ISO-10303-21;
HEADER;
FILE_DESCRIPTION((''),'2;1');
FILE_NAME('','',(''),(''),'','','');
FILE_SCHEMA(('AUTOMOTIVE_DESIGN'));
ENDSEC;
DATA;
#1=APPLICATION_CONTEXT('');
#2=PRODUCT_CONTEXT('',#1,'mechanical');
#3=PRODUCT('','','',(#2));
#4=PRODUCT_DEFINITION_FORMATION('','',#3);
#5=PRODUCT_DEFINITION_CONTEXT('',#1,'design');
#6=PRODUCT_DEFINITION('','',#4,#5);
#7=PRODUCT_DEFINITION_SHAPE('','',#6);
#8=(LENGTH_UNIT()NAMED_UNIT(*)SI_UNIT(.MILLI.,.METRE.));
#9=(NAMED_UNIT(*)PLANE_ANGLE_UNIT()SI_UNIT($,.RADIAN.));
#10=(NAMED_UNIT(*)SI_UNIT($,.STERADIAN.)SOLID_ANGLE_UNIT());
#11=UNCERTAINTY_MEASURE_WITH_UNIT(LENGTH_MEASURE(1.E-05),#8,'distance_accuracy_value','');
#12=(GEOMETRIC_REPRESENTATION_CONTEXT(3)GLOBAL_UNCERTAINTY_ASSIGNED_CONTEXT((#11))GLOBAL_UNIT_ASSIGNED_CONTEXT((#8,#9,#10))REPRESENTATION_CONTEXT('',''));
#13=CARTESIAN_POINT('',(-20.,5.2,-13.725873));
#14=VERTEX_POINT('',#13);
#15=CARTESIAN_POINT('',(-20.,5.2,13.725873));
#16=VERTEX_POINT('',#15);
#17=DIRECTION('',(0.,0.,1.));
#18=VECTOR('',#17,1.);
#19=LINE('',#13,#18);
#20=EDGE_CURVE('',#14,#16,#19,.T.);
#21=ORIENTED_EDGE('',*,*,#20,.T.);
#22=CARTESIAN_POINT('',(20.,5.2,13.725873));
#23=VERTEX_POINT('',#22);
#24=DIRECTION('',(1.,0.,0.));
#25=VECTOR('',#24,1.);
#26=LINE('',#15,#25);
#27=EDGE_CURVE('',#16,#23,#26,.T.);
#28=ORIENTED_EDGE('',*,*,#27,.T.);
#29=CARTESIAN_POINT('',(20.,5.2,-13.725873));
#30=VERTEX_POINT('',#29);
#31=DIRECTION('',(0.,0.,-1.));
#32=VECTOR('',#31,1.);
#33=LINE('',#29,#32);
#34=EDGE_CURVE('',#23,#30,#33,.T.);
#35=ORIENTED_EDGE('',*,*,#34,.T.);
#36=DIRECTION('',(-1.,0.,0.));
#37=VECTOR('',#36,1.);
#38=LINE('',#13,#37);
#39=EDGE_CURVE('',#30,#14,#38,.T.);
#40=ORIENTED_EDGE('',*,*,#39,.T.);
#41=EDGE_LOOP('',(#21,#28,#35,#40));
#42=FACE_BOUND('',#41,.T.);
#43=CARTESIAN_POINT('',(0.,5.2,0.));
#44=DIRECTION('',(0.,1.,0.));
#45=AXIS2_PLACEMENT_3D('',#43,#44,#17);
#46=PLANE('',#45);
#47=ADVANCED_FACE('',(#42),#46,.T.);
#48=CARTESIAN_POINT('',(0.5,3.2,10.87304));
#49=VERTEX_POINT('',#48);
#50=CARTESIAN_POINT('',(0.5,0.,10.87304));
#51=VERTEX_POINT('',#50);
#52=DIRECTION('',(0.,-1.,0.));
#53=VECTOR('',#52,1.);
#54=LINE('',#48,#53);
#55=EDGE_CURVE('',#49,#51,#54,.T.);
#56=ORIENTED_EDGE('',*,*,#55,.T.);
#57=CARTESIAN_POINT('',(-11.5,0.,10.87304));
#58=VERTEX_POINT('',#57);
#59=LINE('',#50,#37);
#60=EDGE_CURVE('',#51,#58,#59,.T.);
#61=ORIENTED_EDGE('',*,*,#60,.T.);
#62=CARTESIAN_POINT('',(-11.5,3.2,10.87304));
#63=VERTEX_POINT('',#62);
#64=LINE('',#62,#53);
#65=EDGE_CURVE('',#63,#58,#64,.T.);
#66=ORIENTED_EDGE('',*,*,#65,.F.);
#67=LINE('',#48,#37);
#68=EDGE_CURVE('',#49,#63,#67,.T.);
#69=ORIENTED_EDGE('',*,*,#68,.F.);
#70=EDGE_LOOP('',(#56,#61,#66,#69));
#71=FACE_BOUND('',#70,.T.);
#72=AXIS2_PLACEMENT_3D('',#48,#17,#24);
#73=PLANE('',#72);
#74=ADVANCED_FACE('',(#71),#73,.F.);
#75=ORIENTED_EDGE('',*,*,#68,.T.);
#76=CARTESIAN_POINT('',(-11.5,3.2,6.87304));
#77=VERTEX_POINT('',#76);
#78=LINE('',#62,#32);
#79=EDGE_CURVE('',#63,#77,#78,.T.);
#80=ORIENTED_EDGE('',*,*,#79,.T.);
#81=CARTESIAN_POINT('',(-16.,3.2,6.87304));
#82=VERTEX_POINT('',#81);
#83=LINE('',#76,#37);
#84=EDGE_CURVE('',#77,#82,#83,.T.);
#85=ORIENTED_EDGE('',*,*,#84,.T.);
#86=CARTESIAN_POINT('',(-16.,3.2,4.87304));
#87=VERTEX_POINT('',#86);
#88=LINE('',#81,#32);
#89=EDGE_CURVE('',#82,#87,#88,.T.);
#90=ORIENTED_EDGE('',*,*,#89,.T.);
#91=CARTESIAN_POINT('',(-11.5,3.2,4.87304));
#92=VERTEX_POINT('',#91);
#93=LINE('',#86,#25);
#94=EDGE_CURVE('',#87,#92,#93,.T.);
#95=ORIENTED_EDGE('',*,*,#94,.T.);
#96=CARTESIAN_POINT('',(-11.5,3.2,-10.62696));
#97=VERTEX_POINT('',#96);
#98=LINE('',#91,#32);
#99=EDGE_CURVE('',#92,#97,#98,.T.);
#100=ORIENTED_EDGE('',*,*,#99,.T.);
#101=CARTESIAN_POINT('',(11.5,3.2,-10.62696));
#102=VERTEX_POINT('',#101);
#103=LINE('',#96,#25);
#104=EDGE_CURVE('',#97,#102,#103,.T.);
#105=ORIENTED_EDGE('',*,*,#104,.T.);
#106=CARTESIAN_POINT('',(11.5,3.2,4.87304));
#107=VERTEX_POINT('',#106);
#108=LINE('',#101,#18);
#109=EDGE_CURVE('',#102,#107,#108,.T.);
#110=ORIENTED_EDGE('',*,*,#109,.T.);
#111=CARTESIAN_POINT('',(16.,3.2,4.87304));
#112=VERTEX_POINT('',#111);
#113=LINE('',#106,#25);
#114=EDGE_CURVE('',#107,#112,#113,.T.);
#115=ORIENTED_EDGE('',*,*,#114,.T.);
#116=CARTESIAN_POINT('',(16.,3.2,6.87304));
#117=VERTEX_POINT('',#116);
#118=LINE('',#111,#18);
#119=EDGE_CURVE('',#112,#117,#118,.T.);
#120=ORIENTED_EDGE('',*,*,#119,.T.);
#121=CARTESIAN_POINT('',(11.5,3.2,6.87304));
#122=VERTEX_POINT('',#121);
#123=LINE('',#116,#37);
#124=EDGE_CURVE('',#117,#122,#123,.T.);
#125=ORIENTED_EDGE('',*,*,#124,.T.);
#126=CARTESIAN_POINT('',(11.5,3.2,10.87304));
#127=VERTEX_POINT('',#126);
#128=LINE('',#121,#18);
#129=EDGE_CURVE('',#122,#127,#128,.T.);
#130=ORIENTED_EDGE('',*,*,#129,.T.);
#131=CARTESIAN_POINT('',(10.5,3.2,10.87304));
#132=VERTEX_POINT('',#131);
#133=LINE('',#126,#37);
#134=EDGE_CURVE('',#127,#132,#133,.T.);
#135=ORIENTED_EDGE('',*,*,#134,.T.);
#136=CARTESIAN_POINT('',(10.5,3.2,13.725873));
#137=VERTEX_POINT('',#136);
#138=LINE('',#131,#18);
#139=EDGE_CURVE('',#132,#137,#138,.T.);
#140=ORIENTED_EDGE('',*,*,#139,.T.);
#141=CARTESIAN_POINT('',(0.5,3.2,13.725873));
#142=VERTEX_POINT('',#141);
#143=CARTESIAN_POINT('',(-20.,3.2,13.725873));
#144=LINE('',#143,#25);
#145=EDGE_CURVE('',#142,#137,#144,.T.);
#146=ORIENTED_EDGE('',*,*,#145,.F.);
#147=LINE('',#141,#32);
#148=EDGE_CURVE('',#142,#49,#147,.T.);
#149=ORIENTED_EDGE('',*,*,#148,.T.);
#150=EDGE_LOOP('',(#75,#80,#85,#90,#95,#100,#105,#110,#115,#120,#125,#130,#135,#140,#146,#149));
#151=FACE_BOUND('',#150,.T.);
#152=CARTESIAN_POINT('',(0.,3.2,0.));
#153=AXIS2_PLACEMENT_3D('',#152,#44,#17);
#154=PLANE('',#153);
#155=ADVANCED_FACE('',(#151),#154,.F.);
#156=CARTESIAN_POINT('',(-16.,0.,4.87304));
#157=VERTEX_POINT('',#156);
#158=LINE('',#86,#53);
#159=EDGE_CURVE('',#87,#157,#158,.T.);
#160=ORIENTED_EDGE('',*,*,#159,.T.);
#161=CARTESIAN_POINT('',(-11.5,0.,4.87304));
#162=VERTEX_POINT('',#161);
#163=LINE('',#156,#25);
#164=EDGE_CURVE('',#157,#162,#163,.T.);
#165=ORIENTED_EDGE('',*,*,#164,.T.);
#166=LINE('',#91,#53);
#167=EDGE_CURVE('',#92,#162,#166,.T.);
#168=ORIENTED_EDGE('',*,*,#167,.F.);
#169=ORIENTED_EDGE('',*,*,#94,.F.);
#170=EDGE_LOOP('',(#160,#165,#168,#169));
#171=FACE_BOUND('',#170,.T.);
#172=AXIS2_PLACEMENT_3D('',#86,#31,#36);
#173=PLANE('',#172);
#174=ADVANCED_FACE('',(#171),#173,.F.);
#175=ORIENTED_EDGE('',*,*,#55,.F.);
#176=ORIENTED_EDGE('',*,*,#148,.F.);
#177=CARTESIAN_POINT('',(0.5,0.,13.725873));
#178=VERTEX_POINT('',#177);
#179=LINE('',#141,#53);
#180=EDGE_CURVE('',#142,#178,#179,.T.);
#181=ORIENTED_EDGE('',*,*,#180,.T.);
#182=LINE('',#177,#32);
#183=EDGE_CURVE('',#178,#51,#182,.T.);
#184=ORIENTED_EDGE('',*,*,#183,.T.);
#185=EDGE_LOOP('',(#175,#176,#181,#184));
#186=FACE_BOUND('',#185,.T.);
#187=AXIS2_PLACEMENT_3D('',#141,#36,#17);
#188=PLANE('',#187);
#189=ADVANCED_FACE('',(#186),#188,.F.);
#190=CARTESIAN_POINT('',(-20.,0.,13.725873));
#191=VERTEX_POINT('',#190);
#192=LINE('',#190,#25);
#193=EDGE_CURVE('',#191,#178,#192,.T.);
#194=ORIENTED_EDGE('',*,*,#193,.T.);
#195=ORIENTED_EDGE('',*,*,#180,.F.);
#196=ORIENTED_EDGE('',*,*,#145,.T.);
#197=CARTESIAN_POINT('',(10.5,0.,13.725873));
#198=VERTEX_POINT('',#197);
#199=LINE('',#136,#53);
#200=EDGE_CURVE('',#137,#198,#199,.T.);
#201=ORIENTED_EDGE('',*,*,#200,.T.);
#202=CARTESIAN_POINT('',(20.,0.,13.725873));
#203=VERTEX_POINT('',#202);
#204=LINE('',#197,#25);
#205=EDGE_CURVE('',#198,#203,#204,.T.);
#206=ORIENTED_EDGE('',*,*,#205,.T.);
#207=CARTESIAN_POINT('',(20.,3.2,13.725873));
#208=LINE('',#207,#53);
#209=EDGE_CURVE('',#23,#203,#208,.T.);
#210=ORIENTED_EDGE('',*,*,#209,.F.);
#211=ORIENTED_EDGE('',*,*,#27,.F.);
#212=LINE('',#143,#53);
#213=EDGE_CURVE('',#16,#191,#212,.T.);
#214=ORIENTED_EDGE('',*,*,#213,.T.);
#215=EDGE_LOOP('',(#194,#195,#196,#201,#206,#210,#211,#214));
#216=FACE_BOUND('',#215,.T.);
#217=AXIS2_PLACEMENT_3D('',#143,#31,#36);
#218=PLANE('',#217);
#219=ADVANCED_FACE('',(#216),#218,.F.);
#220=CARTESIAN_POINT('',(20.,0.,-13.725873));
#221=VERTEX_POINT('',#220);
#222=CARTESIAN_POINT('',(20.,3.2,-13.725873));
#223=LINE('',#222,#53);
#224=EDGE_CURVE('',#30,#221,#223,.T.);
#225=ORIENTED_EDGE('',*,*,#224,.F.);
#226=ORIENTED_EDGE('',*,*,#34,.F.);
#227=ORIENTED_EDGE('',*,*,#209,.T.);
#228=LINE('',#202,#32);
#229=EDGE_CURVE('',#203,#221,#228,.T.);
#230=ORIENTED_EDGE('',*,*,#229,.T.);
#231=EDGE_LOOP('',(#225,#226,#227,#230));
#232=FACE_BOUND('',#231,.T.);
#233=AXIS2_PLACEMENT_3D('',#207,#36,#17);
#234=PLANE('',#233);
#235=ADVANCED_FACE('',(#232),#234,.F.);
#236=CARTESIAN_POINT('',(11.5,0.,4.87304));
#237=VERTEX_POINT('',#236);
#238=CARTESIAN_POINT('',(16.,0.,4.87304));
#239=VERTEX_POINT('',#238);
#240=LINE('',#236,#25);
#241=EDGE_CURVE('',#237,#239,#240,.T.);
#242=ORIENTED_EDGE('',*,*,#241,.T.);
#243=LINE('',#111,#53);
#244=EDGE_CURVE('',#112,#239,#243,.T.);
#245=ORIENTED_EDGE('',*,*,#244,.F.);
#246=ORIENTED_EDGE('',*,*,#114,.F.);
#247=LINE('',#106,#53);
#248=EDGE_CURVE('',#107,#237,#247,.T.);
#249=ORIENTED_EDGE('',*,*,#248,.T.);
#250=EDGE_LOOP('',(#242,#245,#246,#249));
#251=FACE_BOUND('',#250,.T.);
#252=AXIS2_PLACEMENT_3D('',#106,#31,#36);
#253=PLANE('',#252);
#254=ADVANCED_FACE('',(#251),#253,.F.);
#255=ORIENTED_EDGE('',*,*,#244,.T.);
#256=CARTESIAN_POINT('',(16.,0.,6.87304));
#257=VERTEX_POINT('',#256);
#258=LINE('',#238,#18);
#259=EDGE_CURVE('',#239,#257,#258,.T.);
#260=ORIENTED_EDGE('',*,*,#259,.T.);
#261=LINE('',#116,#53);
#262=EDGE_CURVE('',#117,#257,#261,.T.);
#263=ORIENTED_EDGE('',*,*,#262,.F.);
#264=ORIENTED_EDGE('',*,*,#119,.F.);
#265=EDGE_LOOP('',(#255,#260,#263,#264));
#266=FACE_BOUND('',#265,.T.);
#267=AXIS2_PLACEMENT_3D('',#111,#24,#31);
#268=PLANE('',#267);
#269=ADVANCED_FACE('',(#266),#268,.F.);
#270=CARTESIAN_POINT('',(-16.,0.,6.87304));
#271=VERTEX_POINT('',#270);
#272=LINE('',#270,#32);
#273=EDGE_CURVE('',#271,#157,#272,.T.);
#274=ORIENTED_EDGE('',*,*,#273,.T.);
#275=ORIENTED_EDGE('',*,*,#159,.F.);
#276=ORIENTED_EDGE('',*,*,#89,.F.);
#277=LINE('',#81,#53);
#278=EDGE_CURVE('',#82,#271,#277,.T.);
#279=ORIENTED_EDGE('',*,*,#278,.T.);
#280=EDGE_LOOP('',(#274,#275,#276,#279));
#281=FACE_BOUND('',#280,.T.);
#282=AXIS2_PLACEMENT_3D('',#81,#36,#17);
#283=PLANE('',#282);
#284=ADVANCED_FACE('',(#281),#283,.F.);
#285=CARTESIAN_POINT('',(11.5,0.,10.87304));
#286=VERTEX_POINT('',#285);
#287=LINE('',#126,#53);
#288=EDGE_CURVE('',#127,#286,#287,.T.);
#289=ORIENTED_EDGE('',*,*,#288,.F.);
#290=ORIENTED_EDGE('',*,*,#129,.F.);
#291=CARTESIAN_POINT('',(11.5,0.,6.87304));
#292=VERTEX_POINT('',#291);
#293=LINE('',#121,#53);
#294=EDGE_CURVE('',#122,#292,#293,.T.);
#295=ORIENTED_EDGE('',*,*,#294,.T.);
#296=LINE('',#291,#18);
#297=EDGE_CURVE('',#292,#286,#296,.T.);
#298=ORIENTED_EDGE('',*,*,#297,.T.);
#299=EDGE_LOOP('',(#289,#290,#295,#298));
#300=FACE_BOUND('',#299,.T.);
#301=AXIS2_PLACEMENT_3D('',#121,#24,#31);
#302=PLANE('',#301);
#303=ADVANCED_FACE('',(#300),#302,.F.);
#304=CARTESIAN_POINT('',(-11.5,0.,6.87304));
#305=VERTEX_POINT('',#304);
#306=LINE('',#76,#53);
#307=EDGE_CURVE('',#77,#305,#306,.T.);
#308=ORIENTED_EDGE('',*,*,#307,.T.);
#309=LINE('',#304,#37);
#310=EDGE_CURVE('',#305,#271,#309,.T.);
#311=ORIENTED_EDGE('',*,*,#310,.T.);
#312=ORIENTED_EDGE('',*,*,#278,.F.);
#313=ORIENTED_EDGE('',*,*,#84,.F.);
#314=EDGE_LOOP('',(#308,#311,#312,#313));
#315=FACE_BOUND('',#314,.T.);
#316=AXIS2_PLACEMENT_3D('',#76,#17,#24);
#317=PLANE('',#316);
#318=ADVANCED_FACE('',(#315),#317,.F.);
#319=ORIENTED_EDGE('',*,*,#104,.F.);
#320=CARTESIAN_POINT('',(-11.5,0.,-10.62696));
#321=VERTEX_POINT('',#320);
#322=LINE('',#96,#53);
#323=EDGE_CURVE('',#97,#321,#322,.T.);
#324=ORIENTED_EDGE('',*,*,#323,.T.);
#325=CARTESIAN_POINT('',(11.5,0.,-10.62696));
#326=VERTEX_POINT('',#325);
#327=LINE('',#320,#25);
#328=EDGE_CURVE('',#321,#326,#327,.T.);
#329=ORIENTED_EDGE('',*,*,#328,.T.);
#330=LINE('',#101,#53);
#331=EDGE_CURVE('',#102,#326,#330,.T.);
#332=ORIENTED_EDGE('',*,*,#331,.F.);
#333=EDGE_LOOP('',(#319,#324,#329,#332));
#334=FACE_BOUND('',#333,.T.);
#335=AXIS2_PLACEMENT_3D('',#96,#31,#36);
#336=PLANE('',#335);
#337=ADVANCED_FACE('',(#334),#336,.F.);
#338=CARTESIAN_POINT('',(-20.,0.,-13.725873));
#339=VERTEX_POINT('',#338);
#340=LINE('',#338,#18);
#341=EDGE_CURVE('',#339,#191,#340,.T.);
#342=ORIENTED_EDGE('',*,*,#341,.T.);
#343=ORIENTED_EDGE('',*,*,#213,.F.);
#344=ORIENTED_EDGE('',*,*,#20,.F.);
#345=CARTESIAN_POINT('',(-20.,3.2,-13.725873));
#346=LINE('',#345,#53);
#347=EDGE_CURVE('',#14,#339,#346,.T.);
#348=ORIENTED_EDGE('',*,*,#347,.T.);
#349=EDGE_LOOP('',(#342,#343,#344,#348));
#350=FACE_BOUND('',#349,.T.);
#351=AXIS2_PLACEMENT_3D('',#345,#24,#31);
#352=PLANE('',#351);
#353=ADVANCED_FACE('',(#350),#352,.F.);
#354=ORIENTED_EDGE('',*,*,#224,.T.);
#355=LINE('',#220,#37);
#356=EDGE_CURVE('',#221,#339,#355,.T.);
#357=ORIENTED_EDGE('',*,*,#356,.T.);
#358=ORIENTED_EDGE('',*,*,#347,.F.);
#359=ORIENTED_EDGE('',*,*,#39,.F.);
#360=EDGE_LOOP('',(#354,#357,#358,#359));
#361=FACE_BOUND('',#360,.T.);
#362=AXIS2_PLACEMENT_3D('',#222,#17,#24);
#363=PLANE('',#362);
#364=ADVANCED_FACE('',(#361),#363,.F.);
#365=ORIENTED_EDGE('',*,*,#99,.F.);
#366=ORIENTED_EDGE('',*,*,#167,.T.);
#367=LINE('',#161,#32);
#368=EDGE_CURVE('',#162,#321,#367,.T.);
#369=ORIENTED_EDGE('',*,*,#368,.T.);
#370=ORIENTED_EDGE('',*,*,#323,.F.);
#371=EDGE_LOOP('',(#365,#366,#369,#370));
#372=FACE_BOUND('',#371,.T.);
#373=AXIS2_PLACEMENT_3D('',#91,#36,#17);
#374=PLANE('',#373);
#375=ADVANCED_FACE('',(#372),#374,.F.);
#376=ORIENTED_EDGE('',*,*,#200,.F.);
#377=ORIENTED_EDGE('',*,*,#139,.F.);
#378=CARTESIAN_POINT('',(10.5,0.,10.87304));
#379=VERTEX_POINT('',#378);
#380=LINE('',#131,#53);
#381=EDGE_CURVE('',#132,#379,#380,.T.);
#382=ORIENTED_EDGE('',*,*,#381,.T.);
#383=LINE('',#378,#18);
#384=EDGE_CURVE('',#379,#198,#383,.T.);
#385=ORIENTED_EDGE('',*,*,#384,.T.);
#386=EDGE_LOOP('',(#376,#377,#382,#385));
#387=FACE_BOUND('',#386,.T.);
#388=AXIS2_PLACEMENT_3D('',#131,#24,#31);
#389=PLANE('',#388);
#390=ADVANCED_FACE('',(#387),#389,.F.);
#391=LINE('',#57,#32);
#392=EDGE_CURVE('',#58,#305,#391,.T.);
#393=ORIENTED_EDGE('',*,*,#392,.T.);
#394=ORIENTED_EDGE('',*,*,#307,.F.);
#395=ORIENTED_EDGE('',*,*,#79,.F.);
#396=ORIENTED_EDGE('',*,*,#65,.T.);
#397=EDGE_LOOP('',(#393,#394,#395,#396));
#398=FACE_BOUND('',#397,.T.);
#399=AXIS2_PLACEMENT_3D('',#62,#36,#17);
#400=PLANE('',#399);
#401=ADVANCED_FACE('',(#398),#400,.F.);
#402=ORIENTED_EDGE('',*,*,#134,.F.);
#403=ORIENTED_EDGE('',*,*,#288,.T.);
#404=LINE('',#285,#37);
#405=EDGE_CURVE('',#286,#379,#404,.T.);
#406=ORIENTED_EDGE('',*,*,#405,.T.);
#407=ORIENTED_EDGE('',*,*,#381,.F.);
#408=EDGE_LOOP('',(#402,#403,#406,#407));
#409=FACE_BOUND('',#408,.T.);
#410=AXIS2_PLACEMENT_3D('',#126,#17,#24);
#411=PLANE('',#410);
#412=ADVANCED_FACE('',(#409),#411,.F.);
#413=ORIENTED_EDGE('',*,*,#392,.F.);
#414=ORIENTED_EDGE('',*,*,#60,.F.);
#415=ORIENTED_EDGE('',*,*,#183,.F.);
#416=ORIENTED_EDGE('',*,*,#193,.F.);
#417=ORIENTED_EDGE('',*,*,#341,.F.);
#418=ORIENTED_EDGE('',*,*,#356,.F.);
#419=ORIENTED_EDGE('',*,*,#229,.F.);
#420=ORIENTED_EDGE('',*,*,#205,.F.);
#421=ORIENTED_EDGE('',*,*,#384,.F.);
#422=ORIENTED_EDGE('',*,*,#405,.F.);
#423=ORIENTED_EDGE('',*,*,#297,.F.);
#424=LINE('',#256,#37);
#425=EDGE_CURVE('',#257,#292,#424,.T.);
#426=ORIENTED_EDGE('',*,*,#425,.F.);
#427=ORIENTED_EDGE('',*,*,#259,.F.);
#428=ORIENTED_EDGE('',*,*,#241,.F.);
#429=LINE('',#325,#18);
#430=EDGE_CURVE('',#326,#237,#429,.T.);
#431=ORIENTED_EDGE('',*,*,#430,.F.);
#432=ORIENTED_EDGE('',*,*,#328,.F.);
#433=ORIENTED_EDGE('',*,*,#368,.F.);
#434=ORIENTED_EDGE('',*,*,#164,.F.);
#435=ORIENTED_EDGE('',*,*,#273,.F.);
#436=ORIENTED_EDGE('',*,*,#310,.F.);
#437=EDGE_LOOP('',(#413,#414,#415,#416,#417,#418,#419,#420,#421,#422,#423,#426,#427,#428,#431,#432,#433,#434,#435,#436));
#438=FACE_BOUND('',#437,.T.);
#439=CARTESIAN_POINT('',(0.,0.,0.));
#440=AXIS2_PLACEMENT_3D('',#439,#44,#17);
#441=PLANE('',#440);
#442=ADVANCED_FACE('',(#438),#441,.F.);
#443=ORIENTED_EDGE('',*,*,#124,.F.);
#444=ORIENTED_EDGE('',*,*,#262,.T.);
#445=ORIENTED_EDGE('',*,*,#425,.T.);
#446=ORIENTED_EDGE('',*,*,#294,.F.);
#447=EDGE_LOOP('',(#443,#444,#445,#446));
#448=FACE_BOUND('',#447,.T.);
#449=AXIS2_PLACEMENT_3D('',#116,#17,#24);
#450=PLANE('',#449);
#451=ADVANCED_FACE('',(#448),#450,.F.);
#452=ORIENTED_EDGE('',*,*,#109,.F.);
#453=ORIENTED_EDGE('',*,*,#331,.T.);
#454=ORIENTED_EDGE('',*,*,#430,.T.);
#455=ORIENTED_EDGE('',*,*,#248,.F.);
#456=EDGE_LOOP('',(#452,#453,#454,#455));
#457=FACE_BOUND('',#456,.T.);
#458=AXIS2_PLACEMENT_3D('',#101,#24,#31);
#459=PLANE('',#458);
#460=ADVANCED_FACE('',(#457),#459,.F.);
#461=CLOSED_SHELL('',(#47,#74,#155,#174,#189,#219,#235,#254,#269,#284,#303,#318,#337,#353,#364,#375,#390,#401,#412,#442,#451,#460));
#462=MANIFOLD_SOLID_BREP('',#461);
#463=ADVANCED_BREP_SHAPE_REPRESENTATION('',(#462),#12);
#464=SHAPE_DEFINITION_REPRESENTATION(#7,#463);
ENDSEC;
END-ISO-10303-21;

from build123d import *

# Parameters (mm, degrees)
BOSS_EXTRUDE1_DEPTH = 3.2
SKETCH2_W           = 40
SKETCH2_H           = 27.451745852
BOSS_EXTRUDE2_DEPTH = 2


with BuildPart() as part:
    # Sketch1 → Boss-Extrude1 (new body)
    with BuildSketch(Plane(origin=(0, 0, 0), x_dir=(1, 0, 0), z_dir=(0, 1, 0))):
        Polygon((10.5, -10.873040155), (10.5, -13.725872926), (20, -13.725872926), (20, 13.725872926), (-20, 13.725872926), (-20, -13.725872926), (0.5, -13.725872926), (0.5, -10.873040155), (-11.5, -10.873040155), (-11.5, -6.873040155), (-16, -6.873040155), (-16, -4.873040155), (-11.5, -4.873040155), (-11.5, 10.626959845), (11.5, 10.626959845), (11.5, -4.873040155), (16, -4.873040155), (16, -6.873040155), (11.5, -6.873040155), (11.5, -10.873040155), align=None)
    extrude(amount=BOSS_EXTRUDE1_DEPTH)

    # Sketch2 → Boss-Extrude2 (add)
    with BuildSketch(Plane(origin=(0, 3.2, 0), x_dir=(1, 0, 0), z_dir=(0, 1, 0))):
        Rectangle(SKETCH2_W, SKETCH2_H)
    extrude(amount=BOSS_EXTRUDE2_DEPTH)


solid = part.part
